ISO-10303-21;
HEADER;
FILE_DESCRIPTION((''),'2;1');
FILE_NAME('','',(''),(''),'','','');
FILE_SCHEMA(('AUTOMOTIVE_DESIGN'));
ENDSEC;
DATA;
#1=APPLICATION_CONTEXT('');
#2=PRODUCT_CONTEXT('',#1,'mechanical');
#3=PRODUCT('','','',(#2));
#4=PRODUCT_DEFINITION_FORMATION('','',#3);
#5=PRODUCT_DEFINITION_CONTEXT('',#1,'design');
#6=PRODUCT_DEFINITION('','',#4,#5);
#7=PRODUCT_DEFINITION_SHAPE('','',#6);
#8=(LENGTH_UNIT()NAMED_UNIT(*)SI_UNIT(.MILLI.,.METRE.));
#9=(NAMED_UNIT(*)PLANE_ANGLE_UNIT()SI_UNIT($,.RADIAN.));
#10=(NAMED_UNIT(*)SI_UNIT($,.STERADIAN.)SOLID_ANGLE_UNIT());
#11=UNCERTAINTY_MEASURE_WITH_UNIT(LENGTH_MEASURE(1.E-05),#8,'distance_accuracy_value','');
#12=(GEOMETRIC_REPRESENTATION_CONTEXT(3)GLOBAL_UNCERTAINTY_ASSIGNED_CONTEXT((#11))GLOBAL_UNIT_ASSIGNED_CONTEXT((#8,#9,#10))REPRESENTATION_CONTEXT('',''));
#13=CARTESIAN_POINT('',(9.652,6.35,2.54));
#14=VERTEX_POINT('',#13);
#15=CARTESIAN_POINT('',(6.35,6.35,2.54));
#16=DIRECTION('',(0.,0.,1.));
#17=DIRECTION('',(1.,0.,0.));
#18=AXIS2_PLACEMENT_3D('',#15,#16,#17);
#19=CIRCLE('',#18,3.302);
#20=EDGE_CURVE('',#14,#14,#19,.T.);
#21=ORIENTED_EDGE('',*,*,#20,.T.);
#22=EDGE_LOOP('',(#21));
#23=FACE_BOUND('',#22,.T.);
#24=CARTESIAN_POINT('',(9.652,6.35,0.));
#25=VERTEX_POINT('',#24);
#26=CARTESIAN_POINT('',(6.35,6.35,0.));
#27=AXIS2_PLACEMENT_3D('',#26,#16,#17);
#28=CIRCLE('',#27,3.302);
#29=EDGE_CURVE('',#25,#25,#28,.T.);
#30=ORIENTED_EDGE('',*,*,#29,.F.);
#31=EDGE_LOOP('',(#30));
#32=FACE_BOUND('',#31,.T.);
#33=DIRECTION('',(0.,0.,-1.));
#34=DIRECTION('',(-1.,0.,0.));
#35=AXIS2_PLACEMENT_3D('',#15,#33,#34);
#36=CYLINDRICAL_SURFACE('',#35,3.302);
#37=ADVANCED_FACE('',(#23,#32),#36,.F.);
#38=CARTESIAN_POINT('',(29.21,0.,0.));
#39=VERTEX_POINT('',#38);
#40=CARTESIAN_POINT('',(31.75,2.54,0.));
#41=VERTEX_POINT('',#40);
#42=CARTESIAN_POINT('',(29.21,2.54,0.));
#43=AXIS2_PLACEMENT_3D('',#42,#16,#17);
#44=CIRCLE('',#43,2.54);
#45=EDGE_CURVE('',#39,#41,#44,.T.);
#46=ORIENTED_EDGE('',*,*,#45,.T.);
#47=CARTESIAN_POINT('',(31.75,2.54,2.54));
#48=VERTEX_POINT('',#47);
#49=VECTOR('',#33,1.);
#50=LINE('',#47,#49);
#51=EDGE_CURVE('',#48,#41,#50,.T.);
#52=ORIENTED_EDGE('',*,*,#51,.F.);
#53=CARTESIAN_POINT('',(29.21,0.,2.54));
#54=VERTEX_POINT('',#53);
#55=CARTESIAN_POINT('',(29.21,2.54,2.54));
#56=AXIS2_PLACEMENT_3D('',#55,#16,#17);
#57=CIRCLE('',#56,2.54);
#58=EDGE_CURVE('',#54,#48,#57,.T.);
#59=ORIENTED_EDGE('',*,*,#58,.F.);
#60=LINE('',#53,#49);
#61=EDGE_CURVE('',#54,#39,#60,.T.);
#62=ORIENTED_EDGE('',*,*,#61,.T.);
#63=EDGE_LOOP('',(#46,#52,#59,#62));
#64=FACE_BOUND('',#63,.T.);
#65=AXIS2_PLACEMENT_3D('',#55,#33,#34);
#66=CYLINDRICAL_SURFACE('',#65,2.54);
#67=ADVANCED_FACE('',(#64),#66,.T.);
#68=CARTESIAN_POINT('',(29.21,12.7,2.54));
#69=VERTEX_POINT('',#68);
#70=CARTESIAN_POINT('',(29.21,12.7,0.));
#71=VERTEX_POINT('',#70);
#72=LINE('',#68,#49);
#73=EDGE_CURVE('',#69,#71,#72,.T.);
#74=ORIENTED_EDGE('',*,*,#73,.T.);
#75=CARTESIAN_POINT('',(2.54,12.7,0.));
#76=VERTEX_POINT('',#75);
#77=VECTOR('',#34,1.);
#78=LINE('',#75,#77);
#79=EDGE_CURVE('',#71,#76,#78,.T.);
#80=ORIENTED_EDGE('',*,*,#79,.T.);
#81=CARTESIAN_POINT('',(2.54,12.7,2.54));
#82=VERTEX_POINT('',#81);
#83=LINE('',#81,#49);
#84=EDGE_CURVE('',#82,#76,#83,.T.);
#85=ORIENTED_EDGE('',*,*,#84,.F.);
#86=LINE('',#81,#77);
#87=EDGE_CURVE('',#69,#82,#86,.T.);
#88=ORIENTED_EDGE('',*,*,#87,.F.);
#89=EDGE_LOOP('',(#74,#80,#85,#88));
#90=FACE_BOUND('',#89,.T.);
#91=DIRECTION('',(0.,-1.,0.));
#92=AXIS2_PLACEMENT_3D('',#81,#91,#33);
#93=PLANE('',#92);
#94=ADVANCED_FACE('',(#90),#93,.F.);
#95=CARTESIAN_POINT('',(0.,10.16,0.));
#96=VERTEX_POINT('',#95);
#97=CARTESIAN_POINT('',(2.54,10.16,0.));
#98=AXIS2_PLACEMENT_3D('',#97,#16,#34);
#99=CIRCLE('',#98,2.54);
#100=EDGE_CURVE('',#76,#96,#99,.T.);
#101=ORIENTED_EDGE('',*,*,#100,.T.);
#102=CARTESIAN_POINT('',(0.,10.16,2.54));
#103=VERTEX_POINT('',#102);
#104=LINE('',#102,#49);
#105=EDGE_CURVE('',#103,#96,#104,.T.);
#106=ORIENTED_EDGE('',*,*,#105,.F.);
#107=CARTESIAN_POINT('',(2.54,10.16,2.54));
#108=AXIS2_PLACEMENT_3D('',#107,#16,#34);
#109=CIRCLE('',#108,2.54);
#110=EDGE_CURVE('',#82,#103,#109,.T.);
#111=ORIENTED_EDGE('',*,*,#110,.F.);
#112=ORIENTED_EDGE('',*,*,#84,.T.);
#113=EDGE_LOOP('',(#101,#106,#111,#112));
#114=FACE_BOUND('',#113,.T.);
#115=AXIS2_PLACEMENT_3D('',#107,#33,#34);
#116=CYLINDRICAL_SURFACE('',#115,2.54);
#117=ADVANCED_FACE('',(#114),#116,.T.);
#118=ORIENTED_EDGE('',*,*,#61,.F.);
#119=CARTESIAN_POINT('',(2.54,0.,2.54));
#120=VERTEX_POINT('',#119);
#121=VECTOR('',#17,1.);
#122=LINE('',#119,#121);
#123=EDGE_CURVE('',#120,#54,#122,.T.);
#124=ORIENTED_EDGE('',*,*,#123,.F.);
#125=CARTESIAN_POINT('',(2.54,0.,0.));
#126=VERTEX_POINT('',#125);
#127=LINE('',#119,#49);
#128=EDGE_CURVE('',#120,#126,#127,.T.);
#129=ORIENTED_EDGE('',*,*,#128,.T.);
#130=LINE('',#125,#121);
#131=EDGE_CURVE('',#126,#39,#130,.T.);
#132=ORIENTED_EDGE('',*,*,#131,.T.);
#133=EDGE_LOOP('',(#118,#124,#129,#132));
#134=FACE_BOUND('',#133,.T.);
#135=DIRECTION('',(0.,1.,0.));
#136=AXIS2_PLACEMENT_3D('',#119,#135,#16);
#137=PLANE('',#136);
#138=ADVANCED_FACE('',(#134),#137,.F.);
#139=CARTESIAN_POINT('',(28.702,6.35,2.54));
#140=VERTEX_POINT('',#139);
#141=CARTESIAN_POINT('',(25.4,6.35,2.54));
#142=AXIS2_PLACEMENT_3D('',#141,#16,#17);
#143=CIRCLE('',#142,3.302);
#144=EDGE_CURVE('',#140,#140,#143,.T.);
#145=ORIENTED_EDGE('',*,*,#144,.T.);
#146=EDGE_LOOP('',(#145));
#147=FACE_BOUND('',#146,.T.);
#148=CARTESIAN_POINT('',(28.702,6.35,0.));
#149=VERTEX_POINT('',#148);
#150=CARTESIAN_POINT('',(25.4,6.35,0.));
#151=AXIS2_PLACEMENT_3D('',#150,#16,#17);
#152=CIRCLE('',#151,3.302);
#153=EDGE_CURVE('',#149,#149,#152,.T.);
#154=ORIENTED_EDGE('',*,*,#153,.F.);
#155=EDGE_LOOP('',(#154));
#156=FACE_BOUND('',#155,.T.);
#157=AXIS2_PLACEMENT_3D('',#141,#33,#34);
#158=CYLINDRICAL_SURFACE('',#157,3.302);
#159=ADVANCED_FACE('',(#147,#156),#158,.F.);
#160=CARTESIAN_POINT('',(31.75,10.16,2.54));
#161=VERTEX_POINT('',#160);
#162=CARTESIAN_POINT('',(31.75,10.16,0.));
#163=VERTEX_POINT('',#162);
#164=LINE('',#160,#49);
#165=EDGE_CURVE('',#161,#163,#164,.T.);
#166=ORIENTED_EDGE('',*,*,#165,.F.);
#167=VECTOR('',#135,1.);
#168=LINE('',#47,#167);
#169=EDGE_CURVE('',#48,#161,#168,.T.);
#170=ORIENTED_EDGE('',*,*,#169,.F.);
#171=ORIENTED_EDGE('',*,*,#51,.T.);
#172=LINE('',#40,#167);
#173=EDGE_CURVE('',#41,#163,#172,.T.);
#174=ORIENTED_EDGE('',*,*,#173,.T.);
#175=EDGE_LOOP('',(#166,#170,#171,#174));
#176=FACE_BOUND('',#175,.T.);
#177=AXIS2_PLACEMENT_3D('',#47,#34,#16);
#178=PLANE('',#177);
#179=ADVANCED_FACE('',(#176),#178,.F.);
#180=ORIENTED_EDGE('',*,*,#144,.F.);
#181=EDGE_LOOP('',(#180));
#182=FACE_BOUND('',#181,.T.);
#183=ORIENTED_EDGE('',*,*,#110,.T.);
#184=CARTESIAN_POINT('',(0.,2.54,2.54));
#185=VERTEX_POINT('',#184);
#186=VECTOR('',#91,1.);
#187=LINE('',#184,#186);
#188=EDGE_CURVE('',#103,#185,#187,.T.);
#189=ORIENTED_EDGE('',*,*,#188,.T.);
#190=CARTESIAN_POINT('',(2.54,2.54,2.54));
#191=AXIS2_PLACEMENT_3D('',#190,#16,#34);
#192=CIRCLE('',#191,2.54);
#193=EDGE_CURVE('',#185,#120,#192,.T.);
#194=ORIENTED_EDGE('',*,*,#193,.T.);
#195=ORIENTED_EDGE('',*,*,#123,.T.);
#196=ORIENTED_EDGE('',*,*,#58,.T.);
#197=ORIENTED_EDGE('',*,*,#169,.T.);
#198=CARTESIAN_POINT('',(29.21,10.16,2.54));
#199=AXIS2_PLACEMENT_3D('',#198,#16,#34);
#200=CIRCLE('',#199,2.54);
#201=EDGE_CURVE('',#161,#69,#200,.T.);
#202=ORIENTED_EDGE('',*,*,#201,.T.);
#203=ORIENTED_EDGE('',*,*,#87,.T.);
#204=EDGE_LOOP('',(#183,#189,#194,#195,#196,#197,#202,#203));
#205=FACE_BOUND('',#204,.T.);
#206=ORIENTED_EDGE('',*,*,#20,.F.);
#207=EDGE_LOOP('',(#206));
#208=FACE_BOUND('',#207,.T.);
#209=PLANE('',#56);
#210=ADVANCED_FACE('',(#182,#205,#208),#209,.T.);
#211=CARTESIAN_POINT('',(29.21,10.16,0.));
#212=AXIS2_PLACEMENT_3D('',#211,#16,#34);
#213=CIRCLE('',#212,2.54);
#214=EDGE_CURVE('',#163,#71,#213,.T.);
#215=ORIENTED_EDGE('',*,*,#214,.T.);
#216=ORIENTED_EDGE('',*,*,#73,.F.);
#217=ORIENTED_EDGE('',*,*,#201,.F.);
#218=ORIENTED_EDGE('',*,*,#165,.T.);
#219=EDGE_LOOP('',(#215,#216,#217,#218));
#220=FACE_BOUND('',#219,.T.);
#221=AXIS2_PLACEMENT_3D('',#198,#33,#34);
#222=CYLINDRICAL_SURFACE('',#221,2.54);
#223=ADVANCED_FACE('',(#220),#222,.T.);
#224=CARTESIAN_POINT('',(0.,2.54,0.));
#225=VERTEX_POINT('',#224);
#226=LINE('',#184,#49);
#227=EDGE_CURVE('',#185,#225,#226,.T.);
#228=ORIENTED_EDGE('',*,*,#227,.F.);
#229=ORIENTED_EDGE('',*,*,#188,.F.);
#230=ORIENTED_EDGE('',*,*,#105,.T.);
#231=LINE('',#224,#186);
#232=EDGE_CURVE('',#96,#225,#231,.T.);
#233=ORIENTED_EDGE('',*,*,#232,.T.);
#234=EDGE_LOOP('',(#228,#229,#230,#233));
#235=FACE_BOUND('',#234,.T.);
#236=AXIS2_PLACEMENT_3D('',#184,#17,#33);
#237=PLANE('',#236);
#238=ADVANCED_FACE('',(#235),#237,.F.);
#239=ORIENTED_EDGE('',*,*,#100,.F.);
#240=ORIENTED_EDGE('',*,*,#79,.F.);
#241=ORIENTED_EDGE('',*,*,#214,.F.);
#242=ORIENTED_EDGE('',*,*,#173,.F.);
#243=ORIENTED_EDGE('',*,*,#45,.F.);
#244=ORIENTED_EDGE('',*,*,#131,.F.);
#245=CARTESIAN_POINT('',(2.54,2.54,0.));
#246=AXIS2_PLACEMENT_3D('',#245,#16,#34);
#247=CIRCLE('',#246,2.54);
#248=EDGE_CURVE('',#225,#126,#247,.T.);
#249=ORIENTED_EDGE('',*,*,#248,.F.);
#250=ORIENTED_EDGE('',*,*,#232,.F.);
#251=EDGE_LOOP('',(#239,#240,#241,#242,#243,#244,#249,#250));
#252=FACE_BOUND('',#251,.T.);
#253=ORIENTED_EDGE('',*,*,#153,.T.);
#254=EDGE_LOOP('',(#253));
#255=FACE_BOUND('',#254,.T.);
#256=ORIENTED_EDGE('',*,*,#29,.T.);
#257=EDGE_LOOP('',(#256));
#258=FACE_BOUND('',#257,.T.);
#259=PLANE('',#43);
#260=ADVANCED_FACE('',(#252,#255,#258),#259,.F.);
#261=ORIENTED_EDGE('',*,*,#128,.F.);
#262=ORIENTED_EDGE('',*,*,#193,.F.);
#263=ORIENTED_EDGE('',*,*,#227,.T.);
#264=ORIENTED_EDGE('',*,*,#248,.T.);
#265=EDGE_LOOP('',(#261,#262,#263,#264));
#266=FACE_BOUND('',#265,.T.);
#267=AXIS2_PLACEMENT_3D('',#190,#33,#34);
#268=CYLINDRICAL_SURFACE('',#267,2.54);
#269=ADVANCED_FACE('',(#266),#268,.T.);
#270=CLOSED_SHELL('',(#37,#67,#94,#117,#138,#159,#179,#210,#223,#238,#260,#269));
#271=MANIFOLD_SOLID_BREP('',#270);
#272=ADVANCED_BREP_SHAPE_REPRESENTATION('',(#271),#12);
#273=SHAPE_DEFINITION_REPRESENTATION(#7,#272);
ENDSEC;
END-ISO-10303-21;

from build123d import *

# Parameters (mm, degrees)
SKETCH1_R           = 3.302
BOSS_EXTRUDE1_DEPTH = 2.54


with BuildPart() as part:
    # Sketch1 → Boss-Extrude1 (new body)
    with BuildSketch(Plane.XY):
        with BuildLine():
            Line((2.54, 0), (29.21, 0))
            ThreePointArc((29.21, 0), (31.006051224, 0.743948776), (31.75, 2.54))
            Line((31.75, 2.54), (31.75, 10.16))
            ThreePointArc((31.75, 10.16), (31.006051224, 11.956051224), (29.21, 12.7))
            Line((29.21, 12.7), (2.54, 12.7))
            ThreePointArc((2.54, 12.7), (0.743948776, 11.956051224), (0, 10.16))
            Line((0, 10.16), (0, 2.54))
            ThreePointArc((0, 2.54), (0.743948776, 0.743948776), (2.54, 0))
        make_face()
        with Locations((6.35, 6.35)):
            Circle(SKETCH1_R, mode=Mode.SUBTRACT)
        with Locations((25.4, 6.35)):
            Circle(SKETCH1_R, mode=Mode.SUBTRACT)
    extrude(amount=BOSS_EXTRUDE1_DEPTH)


solid = part.part
